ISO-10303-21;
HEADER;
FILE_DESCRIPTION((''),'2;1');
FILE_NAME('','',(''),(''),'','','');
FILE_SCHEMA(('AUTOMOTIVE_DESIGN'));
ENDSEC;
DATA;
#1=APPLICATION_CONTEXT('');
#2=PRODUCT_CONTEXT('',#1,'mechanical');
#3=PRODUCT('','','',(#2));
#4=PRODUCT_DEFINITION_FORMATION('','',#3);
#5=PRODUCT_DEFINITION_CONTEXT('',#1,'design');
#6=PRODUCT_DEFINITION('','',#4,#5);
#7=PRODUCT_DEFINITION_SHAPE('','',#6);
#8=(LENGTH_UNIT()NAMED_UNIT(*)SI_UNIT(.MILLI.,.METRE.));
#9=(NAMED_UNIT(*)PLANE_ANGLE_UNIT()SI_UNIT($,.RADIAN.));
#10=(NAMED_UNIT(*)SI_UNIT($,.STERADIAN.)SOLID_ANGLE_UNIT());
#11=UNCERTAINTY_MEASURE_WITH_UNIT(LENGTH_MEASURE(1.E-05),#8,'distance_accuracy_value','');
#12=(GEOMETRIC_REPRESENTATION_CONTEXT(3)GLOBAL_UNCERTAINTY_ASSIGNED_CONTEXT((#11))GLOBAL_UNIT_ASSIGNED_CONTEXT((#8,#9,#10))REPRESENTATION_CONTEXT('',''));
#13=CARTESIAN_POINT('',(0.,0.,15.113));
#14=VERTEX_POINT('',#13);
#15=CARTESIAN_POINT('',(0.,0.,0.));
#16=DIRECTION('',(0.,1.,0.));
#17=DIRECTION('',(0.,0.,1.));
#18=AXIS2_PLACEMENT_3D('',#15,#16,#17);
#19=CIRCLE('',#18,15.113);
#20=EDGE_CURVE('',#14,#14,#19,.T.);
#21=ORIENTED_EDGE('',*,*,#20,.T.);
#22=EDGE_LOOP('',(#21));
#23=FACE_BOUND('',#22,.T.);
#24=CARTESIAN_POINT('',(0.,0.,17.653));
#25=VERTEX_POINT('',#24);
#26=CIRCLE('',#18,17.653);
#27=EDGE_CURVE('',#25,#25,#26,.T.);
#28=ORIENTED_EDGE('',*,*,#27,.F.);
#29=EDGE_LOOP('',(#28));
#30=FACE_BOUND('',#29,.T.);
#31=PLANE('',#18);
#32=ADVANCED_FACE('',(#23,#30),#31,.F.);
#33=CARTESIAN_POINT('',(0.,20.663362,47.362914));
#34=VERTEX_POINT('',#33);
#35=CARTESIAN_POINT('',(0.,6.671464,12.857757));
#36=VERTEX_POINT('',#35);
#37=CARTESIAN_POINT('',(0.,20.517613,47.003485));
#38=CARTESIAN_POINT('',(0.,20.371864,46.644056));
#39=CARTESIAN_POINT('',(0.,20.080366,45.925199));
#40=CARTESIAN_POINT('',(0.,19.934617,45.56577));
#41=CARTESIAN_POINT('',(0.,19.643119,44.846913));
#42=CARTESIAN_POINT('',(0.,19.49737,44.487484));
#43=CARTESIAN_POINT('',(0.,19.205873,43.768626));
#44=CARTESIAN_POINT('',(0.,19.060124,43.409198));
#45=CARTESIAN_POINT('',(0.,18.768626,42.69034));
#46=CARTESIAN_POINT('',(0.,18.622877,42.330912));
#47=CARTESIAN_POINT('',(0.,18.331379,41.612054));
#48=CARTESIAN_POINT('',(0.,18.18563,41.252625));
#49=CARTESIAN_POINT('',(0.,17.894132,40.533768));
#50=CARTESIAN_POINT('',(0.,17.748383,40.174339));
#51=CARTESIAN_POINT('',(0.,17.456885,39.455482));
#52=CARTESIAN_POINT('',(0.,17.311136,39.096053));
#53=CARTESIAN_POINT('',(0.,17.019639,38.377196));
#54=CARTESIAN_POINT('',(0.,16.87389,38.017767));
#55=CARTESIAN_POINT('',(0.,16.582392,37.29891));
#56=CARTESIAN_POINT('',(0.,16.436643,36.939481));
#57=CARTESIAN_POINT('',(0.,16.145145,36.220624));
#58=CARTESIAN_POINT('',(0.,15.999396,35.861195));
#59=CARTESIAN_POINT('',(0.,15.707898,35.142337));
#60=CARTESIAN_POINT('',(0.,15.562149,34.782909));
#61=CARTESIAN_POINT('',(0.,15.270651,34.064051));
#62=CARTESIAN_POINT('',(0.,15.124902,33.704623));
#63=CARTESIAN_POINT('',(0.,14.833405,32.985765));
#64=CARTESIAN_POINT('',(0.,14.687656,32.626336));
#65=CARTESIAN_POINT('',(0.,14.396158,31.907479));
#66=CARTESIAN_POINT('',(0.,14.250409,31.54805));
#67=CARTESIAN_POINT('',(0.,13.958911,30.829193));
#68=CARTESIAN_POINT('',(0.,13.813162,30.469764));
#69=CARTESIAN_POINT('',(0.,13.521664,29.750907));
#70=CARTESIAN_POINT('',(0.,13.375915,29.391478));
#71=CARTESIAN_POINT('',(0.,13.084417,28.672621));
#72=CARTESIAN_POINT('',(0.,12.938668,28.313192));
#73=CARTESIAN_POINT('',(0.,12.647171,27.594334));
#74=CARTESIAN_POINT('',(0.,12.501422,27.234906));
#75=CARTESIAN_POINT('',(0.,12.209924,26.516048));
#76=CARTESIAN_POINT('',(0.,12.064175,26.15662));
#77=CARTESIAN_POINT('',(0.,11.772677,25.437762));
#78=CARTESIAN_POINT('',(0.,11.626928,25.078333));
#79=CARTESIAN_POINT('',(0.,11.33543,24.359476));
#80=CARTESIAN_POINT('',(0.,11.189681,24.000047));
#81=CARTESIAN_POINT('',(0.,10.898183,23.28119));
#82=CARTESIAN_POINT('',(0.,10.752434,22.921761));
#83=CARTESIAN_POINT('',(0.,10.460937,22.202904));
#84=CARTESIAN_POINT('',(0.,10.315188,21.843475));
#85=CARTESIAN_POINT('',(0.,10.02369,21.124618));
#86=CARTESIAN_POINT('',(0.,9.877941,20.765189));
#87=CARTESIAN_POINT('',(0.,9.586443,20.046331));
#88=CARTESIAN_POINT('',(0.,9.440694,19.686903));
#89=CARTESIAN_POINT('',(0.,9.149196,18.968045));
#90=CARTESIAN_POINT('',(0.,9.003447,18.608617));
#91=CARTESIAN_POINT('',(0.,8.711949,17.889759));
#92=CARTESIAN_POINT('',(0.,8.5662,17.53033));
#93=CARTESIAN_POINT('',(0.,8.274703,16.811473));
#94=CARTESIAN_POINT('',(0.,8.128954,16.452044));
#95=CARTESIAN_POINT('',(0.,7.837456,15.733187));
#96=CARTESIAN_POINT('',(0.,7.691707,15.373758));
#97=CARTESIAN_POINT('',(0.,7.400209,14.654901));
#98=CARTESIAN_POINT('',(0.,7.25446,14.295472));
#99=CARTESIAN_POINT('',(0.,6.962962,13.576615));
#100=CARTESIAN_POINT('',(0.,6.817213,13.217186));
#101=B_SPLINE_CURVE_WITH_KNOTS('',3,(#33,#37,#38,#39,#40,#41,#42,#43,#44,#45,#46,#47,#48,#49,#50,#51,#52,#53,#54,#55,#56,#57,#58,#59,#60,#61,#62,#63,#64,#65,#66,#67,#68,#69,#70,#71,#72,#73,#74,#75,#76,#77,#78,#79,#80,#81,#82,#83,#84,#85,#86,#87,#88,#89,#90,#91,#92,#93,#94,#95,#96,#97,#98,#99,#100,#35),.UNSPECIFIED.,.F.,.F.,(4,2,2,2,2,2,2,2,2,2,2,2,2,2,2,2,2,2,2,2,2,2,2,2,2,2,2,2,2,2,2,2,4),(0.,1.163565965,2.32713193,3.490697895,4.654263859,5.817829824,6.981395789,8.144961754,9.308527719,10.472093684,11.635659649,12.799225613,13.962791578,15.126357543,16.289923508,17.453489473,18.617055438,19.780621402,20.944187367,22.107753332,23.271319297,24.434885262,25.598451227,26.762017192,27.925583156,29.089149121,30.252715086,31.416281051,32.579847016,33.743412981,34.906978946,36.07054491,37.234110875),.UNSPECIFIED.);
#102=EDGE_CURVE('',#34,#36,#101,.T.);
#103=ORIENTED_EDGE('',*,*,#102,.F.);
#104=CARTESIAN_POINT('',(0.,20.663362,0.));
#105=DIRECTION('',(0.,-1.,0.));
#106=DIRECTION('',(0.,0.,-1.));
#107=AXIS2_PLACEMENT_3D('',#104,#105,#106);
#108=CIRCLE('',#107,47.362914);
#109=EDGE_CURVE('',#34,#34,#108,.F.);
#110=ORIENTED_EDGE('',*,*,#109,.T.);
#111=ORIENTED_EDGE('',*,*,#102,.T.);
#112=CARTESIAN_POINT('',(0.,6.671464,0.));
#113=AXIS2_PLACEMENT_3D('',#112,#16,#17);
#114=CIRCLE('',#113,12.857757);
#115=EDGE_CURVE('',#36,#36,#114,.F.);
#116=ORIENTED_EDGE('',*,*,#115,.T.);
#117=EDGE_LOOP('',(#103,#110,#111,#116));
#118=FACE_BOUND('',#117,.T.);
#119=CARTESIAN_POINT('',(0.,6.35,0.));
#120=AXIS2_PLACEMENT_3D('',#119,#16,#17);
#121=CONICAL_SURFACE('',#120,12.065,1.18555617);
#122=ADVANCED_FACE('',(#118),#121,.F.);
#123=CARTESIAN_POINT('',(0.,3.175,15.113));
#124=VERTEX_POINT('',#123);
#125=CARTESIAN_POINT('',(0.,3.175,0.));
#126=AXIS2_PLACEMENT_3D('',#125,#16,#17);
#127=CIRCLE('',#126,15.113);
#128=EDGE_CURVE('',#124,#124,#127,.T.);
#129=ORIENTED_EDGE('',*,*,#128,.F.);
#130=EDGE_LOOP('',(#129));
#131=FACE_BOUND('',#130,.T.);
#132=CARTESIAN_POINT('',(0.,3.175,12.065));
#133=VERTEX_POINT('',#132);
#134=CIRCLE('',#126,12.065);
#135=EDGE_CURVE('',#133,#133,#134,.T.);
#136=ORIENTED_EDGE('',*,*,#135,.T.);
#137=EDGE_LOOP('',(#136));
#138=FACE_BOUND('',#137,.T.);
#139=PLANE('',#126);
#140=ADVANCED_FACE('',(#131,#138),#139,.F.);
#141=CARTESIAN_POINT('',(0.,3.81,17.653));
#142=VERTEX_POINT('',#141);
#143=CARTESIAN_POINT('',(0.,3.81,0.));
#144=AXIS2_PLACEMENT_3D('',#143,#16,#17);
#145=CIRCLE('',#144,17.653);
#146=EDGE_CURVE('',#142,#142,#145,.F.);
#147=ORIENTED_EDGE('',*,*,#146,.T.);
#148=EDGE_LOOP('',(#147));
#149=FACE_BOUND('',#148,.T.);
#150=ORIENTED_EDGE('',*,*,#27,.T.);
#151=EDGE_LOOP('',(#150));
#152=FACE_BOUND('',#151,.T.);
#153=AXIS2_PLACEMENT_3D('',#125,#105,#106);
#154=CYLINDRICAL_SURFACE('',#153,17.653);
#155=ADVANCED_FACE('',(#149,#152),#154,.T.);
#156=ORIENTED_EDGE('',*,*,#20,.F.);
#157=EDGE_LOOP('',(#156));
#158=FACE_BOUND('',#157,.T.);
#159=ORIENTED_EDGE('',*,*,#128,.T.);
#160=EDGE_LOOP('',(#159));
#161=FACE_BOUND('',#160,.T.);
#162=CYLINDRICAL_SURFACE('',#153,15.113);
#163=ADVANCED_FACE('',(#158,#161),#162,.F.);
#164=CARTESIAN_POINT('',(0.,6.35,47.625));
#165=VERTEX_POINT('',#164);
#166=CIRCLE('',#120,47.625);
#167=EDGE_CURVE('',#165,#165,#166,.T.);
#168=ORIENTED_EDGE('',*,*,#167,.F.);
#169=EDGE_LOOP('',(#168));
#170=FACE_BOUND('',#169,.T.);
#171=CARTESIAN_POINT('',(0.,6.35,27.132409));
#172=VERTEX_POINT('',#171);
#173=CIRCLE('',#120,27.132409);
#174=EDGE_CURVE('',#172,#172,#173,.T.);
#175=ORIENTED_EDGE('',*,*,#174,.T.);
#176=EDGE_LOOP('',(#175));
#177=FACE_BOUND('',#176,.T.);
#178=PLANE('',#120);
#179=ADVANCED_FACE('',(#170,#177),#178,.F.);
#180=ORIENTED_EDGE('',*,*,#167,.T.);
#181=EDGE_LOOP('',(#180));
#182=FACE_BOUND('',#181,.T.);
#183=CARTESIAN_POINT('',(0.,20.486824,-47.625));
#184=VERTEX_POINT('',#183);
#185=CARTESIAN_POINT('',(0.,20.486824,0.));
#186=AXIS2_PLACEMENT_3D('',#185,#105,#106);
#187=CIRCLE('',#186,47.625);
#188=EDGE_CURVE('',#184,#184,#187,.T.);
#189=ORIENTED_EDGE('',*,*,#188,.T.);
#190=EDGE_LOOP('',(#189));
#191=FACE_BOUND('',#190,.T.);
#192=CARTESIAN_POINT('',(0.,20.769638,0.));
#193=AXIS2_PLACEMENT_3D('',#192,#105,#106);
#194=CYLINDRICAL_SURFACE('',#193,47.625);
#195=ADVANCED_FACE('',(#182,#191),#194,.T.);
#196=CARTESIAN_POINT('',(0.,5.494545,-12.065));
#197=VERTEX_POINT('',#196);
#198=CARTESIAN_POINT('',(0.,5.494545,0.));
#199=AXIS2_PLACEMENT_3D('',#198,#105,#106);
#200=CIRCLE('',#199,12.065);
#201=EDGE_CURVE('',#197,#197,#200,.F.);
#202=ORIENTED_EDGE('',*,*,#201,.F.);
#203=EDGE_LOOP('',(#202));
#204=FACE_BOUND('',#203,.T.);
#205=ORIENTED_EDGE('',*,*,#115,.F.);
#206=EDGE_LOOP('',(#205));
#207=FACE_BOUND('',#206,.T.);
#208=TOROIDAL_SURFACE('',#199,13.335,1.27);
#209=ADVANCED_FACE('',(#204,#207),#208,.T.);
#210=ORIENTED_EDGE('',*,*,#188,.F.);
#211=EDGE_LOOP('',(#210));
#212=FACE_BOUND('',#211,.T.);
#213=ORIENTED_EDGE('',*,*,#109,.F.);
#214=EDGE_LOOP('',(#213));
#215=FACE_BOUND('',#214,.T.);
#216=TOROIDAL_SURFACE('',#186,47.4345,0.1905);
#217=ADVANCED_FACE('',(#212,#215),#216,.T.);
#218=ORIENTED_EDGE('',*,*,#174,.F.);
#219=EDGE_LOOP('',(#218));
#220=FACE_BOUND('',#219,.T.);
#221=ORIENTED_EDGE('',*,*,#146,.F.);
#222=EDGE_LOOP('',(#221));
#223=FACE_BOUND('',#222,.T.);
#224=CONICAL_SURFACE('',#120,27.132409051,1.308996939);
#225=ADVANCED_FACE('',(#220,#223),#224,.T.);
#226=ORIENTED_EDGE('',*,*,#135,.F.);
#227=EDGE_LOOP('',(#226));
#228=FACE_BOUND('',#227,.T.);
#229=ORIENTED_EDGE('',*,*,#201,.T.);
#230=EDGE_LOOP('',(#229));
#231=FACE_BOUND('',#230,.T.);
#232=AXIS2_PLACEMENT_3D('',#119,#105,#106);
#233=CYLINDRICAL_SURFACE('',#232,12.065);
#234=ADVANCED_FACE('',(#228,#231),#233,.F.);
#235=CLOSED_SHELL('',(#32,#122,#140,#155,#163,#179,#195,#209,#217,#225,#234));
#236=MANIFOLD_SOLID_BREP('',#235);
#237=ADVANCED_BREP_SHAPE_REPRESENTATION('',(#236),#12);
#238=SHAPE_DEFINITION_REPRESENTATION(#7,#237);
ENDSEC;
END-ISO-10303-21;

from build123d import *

# Parameters (mm, degrees)
SKETCH1_R           = 17.653
SKETCH1_R_2         = 15.113
BOSS_EXTRUDE1_DEPTH = 3.175
SKETCH2_R           = 17.653
SKETCH2_R_2         = 12.065
BOSS_EXTRUDE2_DEPTH = 3.175
SKETCH7_R           = 47.625
BOSS_EXTRUDE3_DEPTH = 14.41963842
SKETCH3_R           = 12.065
CHAMFER1_SIZE       = 2.54
CHAMFER1_SIZE2      = 9.479409051
FILLET6_R           = 1.27
FILLET7_R           = 0.1905


with BuildPart() as part:
    # Sketch1 → Boss-Extrude1 (new body)
    with BuildSketch(Plane(origin=(0, 0, 0), x_dir=(1, 0, 0), z_dir=(0, 1, 0))):
        Circle(SKETCH1_R)
        Circle(SKETCH1_R_2, mode=Mode.SUBTRACT)
    extrude(amount=BOSS_EXTRUDE1_DEPTH)

    # Sketch2 → Boss-Extrude2 (add)
    with BuildSketch(Plane(origin=(0, 3.175, 0), x_dir=(1, 0, 0), z_dir=(0, 1, 0))):
        Circle(SKETCH2_R)
        Circle(SKETCH2_R_2, mode=Mode.SUBTRACT)
    extrude(amount=BOSS_EXTRUDE2_DEPTH)

    # Sketch7 → Boss-Extrude3 (add)
    with BuildSketch(Plane(origin=(0, 6.35, 0), x_dir=(1, 0, 0), z_dir=(0, 1, 0))):
        Circle(SKETCH7_R)
    extrude(amount=BOSS_EXTRUDE3_DEPTH)

    # Sketch3 → section 0 of cut_loft1
    with BuildSketch(Plane(origin=(0, 6.35, 0), x_dir=(1, 0, 0), z_dir=(0, 1, 0)), mode=Mode.PRIVATE) as cut_loft1_s0:
        Circle(SKETCH3_R)
    # loft up to a face of the part (cut_loft1)
    loft([cut_loft1_s0.sketch, part.faces().sort_by_distance((0, 20.76963842, 0))[0]], mode=Mode.SUBTRACT)

    # Chamfer1
    chamfer1_edges = [part.edges().sort_by_distance(p)[0] for p in [
        (-17.653, 6.35, 0),
    ]]
    chamfer1_side = [part.faces().sort_by_distance(p)[0] for p in [
        (-17.653, 3.175, 0),
    ]]
    chamfer(chamfer1_edges, length=CHAMFER1_SIZE, length2=CHAMFER1_SIZE2, reference=chamfer1_side[0])

    # Fillet6
    fillet6_edges = [part.edges().sort_by_distance(p)[0] for p in [
        (-12.065, 6.35, 0),
    ]]
    fillet(fillet6_edges, radius=FILLET6_R)

    # Fillet7
    fillet7_edges = [part.edges().sort_by_distance(p)[0] for p in [
        (-47.625, 20.76963842, 0),
    ]]
    fillet(fillet7_edges, radius=FILLET7_R)


solid = part.part
